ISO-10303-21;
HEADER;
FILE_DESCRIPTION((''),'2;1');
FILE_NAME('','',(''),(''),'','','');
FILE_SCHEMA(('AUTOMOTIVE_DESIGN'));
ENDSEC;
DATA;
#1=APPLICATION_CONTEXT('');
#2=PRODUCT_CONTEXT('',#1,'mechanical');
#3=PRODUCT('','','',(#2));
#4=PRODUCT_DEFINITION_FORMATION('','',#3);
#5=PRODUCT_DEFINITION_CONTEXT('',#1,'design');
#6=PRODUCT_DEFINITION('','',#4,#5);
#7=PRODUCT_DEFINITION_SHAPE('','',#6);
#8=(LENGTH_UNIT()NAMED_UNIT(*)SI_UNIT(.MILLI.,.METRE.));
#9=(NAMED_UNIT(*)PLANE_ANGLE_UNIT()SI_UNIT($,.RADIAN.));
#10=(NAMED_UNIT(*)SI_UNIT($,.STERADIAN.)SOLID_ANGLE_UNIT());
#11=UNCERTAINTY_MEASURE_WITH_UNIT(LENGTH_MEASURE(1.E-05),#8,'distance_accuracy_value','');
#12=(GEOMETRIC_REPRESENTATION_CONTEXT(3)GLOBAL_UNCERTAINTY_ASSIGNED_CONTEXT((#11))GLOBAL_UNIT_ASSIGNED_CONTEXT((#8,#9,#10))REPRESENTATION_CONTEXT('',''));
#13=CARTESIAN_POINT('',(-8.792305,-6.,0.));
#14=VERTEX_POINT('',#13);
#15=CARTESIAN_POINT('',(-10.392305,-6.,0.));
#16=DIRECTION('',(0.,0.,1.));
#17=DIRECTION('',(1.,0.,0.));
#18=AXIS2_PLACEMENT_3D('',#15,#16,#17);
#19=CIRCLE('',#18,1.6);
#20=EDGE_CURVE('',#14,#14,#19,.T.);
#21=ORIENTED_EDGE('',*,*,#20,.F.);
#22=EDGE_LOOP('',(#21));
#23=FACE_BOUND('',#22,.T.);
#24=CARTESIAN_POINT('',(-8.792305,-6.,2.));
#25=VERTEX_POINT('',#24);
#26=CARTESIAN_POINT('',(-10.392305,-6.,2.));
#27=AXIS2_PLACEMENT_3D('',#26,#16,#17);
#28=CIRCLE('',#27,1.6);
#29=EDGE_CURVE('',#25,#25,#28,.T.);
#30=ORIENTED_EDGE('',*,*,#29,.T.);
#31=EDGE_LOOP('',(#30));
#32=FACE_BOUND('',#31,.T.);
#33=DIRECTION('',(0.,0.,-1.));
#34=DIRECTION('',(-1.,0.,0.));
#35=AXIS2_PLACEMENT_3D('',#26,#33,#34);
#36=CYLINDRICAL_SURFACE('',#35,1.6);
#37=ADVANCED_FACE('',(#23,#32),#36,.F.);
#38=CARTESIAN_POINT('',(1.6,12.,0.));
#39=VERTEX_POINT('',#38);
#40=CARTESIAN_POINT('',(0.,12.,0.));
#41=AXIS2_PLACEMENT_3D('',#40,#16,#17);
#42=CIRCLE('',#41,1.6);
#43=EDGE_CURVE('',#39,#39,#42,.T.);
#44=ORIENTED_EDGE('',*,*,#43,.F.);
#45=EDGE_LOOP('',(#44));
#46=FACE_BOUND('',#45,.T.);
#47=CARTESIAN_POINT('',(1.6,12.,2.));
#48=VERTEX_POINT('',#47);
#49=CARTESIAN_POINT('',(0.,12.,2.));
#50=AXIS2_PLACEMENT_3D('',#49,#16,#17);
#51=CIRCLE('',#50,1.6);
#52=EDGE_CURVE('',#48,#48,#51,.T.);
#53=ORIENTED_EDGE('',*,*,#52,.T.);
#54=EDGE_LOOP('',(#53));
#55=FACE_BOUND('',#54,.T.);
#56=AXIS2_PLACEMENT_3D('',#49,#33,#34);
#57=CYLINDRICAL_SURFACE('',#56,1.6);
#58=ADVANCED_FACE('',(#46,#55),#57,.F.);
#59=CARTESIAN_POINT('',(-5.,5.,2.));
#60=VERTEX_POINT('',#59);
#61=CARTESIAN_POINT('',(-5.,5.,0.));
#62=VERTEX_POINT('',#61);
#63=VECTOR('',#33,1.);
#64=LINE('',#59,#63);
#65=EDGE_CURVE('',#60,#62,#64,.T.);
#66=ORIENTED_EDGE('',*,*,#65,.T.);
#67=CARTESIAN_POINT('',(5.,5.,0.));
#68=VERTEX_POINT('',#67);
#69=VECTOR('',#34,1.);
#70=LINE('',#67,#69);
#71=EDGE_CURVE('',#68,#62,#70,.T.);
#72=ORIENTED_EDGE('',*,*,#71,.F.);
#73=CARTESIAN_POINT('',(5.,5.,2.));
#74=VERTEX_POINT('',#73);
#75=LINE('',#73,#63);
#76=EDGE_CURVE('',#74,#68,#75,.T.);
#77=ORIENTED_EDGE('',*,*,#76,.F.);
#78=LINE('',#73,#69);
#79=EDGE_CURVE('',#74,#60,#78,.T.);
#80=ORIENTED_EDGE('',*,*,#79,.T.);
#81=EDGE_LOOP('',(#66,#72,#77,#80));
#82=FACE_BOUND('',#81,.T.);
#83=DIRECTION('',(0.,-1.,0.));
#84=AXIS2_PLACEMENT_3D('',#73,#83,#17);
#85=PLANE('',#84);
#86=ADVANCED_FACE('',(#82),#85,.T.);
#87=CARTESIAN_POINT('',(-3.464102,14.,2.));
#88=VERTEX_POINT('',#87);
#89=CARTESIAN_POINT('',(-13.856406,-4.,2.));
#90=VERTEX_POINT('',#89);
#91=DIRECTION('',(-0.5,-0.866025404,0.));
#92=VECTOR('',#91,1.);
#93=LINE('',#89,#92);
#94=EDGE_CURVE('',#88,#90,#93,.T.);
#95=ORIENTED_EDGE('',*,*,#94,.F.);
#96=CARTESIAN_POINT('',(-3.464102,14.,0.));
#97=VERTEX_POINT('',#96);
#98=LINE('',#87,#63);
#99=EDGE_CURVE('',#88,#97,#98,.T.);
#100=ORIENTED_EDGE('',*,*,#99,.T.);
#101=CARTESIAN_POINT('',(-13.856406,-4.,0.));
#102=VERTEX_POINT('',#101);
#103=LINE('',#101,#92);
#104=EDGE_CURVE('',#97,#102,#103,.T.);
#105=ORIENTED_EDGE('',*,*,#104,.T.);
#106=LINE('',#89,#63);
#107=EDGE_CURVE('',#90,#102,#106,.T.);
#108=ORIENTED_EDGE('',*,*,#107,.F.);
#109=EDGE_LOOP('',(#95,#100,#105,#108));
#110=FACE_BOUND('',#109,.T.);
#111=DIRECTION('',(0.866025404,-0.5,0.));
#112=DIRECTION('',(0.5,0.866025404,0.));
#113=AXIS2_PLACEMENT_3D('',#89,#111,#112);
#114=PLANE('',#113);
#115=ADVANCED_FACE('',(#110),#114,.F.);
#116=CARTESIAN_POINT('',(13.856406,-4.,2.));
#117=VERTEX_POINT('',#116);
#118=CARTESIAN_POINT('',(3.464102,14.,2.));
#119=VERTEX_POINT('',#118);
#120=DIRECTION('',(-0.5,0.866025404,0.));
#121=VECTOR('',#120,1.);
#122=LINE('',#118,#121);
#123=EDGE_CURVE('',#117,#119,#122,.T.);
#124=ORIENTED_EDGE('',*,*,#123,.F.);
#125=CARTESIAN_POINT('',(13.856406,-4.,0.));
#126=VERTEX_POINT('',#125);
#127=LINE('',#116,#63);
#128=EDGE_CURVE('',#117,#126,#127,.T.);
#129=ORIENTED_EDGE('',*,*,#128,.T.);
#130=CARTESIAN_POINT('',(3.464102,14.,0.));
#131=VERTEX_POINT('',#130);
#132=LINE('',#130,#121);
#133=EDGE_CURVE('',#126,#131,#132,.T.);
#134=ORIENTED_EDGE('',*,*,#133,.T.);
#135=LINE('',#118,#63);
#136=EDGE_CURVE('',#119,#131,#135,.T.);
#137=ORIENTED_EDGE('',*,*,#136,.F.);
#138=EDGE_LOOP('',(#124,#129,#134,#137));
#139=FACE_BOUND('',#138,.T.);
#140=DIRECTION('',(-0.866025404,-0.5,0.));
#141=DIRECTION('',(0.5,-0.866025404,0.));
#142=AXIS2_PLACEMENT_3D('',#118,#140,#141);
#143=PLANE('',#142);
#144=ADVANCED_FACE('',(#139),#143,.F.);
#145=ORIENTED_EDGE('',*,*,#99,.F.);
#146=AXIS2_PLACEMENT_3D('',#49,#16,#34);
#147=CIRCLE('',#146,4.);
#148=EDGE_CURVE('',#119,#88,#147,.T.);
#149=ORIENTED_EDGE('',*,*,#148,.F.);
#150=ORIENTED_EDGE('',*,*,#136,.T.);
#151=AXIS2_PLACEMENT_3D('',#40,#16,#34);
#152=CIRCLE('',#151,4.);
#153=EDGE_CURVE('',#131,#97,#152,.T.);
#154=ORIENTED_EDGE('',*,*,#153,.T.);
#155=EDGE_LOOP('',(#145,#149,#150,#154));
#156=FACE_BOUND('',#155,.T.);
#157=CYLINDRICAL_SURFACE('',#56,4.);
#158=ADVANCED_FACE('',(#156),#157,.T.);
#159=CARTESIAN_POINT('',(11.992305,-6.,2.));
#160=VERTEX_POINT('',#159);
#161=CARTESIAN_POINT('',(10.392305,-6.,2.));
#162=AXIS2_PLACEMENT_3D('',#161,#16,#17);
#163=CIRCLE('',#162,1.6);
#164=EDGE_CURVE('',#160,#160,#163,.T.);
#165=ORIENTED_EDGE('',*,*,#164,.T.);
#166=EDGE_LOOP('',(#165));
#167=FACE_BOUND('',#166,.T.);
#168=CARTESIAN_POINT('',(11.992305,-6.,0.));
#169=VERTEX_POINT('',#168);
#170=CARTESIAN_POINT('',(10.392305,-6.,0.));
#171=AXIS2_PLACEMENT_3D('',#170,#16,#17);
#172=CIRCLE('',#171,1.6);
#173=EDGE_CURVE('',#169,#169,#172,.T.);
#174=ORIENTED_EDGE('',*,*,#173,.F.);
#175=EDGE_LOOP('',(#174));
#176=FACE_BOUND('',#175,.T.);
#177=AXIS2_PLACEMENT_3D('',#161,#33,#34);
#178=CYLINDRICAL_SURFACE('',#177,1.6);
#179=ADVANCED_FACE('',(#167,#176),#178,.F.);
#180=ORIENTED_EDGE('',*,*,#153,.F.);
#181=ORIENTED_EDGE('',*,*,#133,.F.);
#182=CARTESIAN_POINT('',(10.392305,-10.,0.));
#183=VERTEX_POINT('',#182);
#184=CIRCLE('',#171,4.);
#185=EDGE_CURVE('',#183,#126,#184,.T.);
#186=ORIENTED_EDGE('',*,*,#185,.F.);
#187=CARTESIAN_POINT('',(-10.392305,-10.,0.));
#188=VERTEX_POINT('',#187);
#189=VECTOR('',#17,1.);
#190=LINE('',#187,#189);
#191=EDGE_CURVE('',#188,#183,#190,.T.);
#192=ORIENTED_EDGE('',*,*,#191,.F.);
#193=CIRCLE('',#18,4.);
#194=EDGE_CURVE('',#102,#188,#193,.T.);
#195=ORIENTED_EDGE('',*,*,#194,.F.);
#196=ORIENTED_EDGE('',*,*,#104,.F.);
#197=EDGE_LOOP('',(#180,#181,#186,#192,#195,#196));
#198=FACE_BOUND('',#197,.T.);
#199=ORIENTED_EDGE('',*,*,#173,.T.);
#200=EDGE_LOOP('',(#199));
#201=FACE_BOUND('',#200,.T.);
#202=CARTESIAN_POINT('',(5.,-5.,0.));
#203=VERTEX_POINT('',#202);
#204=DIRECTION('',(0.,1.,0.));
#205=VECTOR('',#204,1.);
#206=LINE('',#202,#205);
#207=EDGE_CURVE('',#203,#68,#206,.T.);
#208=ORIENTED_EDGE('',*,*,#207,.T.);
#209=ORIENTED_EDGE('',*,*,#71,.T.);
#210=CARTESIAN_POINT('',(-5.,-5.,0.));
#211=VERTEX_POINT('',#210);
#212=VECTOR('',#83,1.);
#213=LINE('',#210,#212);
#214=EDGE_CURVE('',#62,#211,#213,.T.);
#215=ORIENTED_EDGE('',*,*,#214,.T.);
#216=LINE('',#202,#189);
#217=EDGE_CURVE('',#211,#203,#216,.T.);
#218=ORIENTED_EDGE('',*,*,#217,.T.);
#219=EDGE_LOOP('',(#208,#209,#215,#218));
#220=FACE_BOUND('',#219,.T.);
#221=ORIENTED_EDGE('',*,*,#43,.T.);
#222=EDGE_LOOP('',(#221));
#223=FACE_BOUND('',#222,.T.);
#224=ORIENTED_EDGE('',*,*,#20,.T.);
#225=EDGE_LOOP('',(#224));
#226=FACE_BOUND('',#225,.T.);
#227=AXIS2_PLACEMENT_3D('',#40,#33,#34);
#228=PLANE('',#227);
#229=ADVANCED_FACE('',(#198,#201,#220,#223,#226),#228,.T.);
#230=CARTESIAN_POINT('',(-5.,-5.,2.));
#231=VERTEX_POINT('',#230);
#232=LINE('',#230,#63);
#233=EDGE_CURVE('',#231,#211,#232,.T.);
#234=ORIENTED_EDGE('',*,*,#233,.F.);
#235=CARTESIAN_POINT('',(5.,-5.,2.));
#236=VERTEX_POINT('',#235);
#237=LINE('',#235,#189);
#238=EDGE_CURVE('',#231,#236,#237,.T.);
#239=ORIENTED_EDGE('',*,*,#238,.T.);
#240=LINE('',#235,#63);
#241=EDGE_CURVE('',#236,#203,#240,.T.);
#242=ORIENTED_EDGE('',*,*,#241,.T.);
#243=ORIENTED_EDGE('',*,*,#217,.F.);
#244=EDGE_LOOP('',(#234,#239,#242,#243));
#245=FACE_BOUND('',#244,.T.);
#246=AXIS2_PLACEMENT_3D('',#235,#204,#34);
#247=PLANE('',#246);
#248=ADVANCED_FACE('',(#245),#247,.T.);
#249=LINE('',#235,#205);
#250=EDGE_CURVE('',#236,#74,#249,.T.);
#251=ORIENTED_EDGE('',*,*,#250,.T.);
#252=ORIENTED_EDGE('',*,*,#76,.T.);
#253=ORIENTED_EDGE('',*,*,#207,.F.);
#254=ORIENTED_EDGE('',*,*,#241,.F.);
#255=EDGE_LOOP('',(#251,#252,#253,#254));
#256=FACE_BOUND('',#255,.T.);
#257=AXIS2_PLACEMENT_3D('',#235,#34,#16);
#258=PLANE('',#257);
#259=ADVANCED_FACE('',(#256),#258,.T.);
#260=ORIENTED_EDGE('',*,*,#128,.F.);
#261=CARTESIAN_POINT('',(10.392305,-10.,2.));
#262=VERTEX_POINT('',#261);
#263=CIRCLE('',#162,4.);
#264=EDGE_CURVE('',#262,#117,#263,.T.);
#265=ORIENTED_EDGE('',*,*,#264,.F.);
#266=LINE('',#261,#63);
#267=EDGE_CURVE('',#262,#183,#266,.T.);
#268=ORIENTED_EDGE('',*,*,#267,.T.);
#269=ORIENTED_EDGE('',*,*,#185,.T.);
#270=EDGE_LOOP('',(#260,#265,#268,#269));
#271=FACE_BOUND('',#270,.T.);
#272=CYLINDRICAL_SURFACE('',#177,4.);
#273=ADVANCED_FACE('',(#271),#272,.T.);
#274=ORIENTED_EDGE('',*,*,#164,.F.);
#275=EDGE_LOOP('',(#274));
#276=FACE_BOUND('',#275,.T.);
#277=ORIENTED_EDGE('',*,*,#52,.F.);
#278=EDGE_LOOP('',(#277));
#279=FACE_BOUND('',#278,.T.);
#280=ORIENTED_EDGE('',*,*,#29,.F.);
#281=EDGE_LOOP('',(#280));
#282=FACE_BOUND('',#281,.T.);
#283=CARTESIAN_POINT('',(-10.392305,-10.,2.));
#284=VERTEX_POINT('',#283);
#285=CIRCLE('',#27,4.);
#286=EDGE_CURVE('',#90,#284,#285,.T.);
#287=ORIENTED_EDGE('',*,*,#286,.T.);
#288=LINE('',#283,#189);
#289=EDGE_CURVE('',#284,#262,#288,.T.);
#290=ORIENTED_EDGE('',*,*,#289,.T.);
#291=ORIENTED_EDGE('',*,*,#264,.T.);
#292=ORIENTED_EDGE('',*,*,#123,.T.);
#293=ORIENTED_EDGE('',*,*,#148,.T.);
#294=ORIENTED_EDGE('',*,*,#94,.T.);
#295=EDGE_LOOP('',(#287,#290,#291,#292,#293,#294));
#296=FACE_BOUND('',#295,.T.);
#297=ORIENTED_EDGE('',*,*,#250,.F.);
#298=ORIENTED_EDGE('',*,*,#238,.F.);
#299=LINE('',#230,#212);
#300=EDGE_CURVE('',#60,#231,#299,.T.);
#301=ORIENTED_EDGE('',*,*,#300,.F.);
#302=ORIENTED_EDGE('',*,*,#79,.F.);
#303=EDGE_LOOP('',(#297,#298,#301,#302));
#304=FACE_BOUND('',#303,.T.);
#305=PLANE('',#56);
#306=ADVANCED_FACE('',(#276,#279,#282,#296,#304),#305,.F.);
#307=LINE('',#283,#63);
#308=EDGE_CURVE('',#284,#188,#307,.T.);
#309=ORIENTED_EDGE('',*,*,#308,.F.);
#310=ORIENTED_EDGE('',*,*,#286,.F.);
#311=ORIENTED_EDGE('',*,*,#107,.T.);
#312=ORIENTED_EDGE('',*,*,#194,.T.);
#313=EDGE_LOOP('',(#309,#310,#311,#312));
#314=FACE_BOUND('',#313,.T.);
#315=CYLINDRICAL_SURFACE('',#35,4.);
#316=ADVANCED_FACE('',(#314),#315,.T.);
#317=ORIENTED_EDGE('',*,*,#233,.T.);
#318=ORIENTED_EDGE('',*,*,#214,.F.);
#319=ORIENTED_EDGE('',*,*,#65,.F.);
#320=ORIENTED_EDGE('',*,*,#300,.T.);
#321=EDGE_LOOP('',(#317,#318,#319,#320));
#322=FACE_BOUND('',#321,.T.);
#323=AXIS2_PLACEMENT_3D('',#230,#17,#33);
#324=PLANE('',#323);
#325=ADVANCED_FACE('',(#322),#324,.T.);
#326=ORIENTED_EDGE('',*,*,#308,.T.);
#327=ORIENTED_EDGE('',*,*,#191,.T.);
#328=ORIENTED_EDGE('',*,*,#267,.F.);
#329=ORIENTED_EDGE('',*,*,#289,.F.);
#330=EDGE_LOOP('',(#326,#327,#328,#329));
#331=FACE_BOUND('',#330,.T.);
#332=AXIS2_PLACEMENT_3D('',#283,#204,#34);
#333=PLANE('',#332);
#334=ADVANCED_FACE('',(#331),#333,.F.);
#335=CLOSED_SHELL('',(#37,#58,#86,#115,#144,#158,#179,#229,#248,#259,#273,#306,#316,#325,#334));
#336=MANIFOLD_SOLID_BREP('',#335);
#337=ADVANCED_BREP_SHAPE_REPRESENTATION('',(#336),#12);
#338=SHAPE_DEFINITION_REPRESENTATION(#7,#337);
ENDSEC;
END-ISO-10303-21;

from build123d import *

# Parameters (mm, degrees)
SKETCH_1_R      = 1.6
SKETCH_1_W      = 10
SKETCH_1_H      = 10
EXTRUDE_1_DEPTH = 2


with BuildPart() as part:
    # ｽｹｯﾁ1 → ﾎﾞｽ - 押し出し1 (new body)
    with BuildSketch(Plane.XY):
        with BuildLine():
            Line((-13.856406461, -4), (-3.464101615, 14))
            ThreePointArc((-3.464101615, 14), (0, 16), (3.464101615, 14))
            Line((3.464101615, 14), (13.856406461, -4))
            ThreePointArc((13.856406461, -4), (13.856406461, -8), (10.392304845, -10))
            Line((10.392304845, -10), (-10.392304845, -10))
            ThreePointArc((-10.392304845, -10), (-13.856406461, -8), (-13.856406461, -4))
        make_face()
        with Locations((0, 12)):
            Circle(SKETCH_1_R, mode=Mode.SUBTRACT)
        with Locations((10.392304845, -6)):
            Circle(SKETCH_1_R, mode=Mode.SUBTRACT)
        with Locations((-10.392304845, -6)):
            Circle(SKETCH_1_R, mode=Mode.SUBTRACT)
        Rectangle(SKETCH_1_W, SKETCH_1_H, mode=Mode.SUBTRACT)
    extrude(amount=EXTRUDE_1_DEPTH)


solid = part.part
